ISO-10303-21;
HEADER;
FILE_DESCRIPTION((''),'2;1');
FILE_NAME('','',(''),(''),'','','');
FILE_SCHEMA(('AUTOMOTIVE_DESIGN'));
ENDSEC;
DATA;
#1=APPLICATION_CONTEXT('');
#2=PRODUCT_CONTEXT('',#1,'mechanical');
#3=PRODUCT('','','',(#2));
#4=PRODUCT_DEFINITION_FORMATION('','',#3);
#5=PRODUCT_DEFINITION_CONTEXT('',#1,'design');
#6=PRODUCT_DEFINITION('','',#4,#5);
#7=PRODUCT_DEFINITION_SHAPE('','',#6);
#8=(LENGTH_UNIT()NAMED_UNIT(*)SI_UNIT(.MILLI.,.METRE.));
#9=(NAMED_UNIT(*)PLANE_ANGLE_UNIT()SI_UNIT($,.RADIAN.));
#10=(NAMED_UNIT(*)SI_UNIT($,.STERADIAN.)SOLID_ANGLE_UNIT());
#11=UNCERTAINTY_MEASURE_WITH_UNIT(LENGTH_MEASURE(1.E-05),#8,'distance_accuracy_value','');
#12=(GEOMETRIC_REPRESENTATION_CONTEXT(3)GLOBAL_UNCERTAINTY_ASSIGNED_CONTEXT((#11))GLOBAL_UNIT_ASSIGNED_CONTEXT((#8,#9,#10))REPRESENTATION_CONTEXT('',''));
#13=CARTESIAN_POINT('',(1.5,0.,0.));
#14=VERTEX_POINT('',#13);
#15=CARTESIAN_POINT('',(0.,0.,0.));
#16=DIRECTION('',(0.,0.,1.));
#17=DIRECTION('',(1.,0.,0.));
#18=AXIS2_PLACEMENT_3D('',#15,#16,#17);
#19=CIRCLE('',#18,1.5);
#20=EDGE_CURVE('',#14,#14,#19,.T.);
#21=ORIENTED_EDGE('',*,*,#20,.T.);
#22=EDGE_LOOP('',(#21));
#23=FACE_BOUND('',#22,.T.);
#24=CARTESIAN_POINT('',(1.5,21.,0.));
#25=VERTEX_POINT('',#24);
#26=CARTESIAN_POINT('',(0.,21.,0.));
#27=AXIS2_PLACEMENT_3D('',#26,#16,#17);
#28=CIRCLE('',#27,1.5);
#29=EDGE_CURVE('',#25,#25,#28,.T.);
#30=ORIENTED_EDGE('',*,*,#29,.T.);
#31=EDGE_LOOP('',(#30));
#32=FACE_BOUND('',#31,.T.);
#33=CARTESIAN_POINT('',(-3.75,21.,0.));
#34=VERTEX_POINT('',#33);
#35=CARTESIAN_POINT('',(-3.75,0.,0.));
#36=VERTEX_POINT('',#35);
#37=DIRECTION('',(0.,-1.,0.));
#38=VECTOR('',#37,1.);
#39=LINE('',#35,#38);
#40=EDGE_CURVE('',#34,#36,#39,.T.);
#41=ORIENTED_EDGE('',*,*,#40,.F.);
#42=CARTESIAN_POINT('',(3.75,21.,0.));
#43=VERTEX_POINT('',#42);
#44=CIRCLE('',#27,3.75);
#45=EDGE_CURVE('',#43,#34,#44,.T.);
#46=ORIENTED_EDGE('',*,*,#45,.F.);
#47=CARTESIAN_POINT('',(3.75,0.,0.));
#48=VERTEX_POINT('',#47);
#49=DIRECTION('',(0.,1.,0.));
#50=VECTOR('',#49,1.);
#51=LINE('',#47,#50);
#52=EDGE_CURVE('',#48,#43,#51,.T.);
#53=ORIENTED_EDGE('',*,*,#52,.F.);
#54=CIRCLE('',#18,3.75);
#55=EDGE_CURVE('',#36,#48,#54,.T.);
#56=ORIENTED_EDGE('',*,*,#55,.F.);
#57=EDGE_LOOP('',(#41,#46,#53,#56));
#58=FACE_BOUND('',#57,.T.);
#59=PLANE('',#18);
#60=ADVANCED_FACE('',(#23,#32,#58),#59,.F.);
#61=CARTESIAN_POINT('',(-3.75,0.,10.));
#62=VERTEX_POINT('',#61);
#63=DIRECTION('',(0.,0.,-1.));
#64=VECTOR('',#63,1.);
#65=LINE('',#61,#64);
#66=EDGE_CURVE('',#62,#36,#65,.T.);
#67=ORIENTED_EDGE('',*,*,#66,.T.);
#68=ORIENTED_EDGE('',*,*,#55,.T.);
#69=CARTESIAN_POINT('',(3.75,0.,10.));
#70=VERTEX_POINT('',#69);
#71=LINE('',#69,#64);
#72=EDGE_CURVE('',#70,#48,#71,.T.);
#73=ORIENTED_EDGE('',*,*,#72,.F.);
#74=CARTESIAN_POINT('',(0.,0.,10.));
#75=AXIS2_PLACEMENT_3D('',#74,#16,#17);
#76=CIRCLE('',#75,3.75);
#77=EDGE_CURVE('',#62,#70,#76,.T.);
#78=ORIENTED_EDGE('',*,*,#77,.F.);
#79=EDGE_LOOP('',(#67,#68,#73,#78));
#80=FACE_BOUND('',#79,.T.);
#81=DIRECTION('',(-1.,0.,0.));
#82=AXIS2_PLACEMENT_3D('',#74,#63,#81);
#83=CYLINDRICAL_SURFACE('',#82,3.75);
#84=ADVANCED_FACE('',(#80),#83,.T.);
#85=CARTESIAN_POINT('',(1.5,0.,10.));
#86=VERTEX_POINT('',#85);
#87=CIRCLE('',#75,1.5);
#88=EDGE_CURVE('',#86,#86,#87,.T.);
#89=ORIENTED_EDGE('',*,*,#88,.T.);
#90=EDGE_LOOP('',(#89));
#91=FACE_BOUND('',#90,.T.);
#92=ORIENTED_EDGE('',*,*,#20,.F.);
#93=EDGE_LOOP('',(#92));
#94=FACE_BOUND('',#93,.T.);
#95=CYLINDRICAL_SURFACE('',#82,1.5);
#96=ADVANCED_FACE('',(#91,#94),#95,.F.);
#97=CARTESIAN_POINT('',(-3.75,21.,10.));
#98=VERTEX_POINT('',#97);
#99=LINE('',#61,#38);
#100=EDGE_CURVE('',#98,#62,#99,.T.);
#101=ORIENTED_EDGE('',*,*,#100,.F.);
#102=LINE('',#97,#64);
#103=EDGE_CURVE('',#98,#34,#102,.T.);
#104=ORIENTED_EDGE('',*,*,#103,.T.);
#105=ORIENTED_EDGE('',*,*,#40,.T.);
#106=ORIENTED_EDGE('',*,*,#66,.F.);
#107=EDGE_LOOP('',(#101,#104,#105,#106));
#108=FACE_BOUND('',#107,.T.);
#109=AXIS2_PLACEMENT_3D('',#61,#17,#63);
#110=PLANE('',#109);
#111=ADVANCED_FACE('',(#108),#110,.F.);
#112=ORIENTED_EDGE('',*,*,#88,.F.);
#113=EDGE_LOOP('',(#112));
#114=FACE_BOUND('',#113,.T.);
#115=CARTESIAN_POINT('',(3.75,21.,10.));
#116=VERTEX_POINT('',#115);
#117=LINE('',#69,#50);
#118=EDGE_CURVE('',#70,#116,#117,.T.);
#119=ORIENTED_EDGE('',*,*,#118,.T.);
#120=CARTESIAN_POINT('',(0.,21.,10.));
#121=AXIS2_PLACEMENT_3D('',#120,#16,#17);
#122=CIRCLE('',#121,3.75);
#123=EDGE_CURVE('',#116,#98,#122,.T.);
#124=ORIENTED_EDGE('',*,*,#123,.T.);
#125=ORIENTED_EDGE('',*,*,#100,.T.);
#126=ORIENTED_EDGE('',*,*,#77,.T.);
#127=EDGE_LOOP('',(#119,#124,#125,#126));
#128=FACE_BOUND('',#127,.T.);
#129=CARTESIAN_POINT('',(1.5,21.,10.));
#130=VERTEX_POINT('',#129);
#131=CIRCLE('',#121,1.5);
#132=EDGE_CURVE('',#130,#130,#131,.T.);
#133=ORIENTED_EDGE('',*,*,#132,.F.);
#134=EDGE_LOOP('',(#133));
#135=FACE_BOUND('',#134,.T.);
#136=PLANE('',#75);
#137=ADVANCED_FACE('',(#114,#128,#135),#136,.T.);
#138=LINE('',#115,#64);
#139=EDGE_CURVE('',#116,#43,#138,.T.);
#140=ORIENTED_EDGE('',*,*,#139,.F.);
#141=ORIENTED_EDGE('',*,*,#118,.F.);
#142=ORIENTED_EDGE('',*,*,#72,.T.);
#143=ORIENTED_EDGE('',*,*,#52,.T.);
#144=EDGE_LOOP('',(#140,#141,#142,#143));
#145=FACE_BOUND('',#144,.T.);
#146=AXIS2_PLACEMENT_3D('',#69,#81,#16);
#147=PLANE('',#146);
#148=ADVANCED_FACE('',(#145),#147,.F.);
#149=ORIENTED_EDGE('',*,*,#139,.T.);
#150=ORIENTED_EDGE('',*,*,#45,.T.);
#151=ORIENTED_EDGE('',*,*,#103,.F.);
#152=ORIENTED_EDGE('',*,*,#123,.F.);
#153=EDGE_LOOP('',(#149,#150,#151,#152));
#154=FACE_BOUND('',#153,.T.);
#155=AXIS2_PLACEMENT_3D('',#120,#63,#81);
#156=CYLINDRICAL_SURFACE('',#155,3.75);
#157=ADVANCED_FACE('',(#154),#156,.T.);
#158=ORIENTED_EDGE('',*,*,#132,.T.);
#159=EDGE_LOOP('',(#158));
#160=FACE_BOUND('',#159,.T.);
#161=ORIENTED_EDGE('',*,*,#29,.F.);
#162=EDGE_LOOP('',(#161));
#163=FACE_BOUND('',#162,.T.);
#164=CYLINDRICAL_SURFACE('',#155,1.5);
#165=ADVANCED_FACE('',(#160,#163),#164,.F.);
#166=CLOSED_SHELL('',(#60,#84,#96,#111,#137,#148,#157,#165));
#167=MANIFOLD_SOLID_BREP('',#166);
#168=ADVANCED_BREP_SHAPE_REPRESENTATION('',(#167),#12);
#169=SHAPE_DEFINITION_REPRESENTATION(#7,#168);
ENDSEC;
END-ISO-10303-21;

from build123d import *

# Parameters (mm, degrees)
SKETCH1_R           = 1.5
BOSS_EXTRUDE1_DEPTH = 10


with BuildPart() as part:
    # Sketch1 → Boss-Extrude1 (new body)
    with BuildSketch(Plane.XY):
        with BuildLine():
            Line((-3.75, 0), (-3.75, 21))
            ThreePointArc((-3.75, 21), (0, 24.75), (3.75, 21))
            Line((3.75, 21), (3.75, 0))
            ThreePointArc((3.75, 0), (0, -3.75), (-3.75, 0))
        make_face()
        with Locations((0, 21)):
            Circle(SKETCH1_R, mode=Mode.SUBTRACT)
        Circle(SKETCH1_R, mode=Mode.SUBTRACT)
    extrude(amount=BOSS_EXTRUDE1_DEPTH)


solid = part.part
